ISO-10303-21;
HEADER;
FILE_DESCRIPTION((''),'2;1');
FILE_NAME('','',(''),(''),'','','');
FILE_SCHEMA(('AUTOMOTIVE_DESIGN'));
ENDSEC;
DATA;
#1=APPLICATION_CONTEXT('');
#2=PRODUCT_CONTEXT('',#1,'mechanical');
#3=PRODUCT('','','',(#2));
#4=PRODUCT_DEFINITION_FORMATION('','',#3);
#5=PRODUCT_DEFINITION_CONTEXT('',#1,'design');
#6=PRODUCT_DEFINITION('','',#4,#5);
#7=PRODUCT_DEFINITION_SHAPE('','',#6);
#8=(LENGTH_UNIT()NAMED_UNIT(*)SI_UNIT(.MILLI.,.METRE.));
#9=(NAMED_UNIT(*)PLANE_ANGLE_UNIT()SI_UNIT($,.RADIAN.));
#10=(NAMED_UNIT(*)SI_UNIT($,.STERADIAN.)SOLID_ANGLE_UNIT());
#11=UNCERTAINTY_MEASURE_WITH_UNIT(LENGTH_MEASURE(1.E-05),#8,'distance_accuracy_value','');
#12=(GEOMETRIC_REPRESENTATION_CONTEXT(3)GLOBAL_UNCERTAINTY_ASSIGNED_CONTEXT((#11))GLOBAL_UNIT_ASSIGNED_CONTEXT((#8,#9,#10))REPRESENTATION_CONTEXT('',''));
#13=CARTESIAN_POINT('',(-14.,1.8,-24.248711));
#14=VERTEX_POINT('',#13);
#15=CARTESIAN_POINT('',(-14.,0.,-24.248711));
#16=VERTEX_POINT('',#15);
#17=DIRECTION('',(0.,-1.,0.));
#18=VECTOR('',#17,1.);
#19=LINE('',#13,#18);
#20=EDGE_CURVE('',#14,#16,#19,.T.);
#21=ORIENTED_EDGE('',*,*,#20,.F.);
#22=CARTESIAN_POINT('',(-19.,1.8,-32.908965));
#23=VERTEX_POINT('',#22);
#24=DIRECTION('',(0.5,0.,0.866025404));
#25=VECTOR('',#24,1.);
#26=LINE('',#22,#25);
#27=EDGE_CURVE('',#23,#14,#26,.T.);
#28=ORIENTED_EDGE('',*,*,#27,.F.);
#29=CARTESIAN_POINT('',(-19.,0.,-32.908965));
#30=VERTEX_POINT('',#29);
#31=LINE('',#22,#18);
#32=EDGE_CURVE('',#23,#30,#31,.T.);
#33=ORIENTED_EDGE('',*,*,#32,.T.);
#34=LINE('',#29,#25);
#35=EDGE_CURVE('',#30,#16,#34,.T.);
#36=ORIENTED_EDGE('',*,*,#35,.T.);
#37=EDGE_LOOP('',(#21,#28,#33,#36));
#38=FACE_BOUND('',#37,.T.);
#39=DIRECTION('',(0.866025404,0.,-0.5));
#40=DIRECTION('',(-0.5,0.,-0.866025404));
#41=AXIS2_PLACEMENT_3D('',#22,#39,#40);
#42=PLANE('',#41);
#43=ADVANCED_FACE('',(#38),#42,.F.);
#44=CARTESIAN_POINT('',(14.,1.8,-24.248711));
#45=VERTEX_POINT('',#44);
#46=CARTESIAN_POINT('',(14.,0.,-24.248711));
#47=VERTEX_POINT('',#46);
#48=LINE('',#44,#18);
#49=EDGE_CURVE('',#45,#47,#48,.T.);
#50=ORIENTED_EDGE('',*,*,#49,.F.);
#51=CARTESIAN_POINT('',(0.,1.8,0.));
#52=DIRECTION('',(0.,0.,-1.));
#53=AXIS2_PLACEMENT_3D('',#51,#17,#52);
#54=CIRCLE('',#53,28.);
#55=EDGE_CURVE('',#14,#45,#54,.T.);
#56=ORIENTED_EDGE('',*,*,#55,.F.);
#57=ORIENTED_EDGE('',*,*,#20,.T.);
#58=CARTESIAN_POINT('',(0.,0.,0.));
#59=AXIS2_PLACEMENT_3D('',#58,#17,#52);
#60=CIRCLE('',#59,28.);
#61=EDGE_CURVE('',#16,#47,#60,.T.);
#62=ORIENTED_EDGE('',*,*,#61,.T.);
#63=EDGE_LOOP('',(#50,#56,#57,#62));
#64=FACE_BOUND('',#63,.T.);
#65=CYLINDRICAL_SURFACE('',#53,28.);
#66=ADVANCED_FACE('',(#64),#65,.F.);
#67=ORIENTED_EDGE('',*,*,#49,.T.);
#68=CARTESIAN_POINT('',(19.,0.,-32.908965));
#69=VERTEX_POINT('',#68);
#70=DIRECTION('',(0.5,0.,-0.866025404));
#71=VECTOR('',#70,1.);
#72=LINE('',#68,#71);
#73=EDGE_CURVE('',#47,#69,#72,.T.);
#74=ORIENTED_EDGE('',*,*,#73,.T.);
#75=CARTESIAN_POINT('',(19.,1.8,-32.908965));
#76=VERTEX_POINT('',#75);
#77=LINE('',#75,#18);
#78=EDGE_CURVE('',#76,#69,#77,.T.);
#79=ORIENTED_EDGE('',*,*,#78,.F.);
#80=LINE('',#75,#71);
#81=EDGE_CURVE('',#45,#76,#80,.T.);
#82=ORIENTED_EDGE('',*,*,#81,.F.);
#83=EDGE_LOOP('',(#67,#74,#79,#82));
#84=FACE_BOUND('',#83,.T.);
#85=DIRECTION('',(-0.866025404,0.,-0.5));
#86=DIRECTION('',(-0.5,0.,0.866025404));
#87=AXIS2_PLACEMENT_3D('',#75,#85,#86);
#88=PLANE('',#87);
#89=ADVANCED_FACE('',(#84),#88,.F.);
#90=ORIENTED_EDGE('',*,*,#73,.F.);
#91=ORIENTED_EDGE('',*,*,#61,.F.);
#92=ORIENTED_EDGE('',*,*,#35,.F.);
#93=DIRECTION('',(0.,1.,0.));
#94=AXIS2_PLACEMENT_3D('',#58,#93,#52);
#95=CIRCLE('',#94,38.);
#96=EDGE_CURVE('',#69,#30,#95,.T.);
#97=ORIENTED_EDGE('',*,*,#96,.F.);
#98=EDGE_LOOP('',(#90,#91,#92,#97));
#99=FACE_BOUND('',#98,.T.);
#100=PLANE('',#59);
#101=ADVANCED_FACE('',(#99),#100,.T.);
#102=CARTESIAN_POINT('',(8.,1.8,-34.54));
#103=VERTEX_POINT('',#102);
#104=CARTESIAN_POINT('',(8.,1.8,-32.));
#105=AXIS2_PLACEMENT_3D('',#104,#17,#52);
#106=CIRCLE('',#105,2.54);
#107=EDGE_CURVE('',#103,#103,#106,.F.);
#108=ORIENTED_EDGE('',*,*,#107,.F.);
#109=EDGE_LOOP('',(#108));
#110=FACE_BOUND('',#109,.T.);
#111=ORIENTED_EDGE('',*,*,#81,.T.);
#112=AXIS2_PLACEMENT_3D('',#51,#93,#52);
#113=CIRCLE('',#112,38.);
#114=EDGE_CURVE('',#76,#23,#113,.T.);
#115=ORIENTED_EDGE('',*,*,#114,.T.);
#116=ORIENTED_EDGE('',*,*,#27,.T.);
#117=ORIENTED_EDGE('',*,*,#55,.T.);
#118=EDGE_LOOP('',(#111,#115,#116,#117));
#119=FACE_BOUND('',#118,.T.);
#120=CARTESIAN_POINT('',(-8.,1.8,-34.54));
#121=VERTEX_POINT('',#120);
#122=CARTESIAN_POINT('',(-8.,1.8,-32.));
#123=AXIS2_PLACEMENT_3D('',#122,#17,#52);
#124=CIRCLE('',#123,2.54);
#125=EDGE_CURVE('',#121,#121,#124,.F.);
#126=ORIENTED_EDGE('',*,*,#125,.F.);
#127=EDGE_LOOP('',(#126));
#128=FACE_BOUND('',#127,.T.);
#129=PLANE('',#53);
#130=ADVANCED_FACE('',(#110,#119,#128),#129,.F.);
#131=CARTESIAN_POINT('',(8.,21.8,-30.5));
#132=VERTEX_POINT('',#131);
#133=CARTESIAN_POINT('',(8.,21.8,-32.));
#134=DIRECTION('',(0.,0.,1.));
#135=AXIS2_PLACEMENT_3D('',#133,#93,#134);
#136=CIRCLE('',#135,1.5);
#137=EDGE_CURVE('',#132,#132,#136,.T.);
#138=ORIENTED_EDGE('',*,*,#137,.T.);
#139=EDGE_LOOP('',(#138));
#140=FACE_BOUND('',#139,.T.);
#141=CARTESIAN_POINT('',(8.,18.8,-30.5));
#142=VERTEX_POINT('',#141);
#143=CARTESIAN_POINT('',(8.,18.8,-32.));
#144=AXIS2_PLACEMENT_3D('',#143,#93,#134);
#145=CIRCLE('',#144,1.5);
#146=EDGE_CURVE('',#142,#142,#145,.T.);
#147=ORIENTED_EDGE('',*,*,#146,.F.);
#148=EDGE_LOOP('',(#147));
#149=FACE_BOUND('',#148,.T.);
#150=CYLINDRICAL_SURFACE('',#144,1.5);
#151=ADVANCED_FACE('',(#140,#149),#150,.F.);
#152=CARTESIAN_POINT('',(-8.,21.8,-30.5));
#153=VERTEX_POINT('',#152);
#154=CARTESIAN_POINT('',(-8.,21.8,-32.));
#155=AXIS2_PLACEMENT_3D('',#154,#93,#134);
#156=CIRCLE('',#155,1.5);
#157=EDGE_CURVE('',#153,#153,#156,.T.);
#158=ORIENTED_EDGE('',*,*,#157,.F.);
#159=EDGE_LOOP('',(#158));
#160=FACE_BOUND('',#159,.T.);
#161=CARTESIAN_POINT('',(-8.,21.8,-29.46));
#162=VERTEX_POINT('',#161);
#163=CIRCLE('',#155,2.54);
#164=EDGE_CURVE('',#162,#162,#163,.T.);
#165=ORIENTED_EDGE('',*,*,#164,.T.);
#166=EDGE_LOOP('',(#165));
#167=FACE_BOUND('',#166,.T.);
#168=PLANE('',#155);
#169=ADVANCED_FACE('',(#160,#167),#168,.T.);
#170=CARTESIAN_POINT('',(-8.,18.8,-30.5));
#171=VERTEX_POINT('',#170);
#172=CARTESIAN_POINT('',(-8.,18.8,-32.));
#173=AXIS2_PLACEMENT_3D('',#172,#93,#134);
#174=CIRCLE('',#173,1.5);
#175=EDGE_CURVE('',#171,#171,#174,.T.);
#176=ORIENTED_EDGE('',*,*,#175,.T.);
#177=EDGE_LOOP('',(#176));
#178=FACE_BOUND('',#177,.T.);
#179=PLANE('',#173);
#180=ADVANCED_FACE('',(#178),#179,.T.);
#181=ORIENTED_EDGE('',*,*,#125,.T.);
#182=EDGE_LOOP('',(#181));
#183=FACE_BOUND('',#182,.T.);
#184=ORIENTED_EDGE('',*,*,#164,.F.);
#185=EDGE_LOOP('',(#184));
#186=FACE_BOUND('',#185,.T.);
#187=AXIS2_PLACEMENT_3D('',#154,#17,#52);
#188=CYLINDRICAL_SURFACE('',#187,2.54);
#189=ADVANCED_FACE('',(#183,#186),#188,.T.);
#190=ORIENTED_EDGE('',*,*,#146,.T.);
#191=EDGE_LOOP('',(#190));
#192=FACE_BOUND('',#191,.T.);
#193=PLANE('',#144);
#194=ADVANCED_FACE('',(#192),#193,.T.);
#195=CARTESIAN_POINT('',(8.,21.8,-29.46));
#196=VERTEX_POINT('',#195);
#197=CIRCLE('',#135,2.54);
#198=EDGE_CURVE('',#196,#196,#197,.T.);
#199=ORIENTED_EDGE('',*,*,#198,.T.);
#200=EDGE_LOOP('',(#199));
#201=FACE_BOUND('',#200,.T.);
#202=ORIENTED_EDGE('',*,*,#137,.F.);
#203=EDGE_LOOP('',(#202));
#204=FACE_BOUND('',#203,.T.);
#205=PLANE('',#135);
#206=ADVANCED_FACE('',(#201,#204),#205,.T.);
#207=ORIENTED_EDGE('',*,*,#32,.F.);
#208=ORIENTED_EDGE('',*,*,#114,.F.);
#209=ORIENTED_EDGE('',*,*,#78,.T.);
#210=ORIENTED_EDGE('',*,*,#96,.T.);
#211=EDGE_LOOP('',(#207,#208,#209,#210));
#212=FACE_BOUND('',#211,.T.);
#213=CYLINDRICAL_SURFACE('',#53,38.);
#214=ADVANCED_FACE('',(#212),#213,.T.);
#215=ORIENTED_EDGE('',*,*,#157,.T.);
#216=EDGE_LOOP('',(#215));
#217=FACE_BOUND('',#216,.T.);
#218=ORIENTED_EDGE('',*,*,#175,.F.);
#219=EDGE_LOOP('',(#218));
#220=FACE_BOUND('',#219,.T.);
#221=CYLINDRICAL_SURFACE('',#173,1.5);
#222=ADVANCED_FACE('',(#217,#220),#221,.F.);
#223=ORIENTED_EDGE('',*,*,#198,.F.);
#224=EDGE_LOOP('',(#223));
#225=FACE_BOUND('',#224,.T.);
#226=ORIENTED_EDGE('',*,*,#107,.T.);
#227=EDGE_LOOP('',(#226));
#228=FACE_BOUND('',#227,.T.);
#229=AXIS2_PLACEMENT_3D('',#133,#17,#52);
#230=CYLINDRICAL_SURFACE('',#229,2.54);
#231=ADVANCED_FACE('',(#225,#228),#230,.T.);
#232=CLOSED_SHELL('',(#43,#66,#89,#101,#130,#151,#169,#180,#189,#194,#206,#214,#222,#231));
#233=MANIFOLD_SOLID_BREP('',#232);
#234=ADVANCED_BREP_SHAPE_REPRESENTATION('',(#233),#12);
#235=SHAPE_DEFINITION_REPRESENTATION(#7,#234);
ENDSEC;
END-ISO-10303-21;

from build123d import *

# Parameters (mm, degrees)
BOSS_EXTRUDE1_DEPTH = 1.8
SKETCH2_R           = 2.54
BOSS_EXTRUDE2_DEPTH = 20
SKETCH5_R           = 1.5
CUT_EXTRUDE1_DEPTH  = 3


with BuildPart() as part:
    # Sketch1 → Boss-Extrude1 (new body)
    with BuildSketch(Plane(origin=(0, 0, 0), x_dir=(1, 0, 0), z_dir=(0, 1, 0))):
        with BuildLine():
            Line((-19, 32.908965344), (-14, 24.248711306))
            ThreePointArc((-14, 24.248711306), (0, 28), (14, 24.248711306))
            Line((14, 24.248711306), (19, 32.908965344))
            ThreePointArc((19, 32.908965344), (0, 38), (-19, 32.908965344))
        make_face()
    extrude(amount=BOSS_EXTRUDE1_DEPTH)

    # Sketch2 → Boss-Extrude2 (add)
    with BuildSketch(Plane(origin=(0, 1.8, 0), x_dir=(1, 0, 0), z_dir=(0, 1, 0))):
        with Locations(Location((-8, 32, 0), (0, 0, 90))):
            Circle(SKETCH2_R)
        with Locations(Location((8, 32, 0), (0, 0, 90))):
            Circle(SKETCH2_R)
    extrude(amount=BOSS_EXTRUDE2_DEPTH)

    # Sketch5 → Cut-Extrude1 (cut)
    with BuildSketch(Plane(origin=(0, 21.8, 0), x_dir=(1, 0, 0), z_dir=(0, 1, 0))):
        with Locations(Location((-8, 32, 0), (0, 0, 270))):
            Circle(SKETCH5_R)
        with Locations(Location((8, 32, 0), (0, 0, 270))):
            Circle(SKETCH5_R)
    extrude(amount=-CUT_EXTRUDE1_DEPTH, mode=Mode.SUBTRACT)


solid = part.part
